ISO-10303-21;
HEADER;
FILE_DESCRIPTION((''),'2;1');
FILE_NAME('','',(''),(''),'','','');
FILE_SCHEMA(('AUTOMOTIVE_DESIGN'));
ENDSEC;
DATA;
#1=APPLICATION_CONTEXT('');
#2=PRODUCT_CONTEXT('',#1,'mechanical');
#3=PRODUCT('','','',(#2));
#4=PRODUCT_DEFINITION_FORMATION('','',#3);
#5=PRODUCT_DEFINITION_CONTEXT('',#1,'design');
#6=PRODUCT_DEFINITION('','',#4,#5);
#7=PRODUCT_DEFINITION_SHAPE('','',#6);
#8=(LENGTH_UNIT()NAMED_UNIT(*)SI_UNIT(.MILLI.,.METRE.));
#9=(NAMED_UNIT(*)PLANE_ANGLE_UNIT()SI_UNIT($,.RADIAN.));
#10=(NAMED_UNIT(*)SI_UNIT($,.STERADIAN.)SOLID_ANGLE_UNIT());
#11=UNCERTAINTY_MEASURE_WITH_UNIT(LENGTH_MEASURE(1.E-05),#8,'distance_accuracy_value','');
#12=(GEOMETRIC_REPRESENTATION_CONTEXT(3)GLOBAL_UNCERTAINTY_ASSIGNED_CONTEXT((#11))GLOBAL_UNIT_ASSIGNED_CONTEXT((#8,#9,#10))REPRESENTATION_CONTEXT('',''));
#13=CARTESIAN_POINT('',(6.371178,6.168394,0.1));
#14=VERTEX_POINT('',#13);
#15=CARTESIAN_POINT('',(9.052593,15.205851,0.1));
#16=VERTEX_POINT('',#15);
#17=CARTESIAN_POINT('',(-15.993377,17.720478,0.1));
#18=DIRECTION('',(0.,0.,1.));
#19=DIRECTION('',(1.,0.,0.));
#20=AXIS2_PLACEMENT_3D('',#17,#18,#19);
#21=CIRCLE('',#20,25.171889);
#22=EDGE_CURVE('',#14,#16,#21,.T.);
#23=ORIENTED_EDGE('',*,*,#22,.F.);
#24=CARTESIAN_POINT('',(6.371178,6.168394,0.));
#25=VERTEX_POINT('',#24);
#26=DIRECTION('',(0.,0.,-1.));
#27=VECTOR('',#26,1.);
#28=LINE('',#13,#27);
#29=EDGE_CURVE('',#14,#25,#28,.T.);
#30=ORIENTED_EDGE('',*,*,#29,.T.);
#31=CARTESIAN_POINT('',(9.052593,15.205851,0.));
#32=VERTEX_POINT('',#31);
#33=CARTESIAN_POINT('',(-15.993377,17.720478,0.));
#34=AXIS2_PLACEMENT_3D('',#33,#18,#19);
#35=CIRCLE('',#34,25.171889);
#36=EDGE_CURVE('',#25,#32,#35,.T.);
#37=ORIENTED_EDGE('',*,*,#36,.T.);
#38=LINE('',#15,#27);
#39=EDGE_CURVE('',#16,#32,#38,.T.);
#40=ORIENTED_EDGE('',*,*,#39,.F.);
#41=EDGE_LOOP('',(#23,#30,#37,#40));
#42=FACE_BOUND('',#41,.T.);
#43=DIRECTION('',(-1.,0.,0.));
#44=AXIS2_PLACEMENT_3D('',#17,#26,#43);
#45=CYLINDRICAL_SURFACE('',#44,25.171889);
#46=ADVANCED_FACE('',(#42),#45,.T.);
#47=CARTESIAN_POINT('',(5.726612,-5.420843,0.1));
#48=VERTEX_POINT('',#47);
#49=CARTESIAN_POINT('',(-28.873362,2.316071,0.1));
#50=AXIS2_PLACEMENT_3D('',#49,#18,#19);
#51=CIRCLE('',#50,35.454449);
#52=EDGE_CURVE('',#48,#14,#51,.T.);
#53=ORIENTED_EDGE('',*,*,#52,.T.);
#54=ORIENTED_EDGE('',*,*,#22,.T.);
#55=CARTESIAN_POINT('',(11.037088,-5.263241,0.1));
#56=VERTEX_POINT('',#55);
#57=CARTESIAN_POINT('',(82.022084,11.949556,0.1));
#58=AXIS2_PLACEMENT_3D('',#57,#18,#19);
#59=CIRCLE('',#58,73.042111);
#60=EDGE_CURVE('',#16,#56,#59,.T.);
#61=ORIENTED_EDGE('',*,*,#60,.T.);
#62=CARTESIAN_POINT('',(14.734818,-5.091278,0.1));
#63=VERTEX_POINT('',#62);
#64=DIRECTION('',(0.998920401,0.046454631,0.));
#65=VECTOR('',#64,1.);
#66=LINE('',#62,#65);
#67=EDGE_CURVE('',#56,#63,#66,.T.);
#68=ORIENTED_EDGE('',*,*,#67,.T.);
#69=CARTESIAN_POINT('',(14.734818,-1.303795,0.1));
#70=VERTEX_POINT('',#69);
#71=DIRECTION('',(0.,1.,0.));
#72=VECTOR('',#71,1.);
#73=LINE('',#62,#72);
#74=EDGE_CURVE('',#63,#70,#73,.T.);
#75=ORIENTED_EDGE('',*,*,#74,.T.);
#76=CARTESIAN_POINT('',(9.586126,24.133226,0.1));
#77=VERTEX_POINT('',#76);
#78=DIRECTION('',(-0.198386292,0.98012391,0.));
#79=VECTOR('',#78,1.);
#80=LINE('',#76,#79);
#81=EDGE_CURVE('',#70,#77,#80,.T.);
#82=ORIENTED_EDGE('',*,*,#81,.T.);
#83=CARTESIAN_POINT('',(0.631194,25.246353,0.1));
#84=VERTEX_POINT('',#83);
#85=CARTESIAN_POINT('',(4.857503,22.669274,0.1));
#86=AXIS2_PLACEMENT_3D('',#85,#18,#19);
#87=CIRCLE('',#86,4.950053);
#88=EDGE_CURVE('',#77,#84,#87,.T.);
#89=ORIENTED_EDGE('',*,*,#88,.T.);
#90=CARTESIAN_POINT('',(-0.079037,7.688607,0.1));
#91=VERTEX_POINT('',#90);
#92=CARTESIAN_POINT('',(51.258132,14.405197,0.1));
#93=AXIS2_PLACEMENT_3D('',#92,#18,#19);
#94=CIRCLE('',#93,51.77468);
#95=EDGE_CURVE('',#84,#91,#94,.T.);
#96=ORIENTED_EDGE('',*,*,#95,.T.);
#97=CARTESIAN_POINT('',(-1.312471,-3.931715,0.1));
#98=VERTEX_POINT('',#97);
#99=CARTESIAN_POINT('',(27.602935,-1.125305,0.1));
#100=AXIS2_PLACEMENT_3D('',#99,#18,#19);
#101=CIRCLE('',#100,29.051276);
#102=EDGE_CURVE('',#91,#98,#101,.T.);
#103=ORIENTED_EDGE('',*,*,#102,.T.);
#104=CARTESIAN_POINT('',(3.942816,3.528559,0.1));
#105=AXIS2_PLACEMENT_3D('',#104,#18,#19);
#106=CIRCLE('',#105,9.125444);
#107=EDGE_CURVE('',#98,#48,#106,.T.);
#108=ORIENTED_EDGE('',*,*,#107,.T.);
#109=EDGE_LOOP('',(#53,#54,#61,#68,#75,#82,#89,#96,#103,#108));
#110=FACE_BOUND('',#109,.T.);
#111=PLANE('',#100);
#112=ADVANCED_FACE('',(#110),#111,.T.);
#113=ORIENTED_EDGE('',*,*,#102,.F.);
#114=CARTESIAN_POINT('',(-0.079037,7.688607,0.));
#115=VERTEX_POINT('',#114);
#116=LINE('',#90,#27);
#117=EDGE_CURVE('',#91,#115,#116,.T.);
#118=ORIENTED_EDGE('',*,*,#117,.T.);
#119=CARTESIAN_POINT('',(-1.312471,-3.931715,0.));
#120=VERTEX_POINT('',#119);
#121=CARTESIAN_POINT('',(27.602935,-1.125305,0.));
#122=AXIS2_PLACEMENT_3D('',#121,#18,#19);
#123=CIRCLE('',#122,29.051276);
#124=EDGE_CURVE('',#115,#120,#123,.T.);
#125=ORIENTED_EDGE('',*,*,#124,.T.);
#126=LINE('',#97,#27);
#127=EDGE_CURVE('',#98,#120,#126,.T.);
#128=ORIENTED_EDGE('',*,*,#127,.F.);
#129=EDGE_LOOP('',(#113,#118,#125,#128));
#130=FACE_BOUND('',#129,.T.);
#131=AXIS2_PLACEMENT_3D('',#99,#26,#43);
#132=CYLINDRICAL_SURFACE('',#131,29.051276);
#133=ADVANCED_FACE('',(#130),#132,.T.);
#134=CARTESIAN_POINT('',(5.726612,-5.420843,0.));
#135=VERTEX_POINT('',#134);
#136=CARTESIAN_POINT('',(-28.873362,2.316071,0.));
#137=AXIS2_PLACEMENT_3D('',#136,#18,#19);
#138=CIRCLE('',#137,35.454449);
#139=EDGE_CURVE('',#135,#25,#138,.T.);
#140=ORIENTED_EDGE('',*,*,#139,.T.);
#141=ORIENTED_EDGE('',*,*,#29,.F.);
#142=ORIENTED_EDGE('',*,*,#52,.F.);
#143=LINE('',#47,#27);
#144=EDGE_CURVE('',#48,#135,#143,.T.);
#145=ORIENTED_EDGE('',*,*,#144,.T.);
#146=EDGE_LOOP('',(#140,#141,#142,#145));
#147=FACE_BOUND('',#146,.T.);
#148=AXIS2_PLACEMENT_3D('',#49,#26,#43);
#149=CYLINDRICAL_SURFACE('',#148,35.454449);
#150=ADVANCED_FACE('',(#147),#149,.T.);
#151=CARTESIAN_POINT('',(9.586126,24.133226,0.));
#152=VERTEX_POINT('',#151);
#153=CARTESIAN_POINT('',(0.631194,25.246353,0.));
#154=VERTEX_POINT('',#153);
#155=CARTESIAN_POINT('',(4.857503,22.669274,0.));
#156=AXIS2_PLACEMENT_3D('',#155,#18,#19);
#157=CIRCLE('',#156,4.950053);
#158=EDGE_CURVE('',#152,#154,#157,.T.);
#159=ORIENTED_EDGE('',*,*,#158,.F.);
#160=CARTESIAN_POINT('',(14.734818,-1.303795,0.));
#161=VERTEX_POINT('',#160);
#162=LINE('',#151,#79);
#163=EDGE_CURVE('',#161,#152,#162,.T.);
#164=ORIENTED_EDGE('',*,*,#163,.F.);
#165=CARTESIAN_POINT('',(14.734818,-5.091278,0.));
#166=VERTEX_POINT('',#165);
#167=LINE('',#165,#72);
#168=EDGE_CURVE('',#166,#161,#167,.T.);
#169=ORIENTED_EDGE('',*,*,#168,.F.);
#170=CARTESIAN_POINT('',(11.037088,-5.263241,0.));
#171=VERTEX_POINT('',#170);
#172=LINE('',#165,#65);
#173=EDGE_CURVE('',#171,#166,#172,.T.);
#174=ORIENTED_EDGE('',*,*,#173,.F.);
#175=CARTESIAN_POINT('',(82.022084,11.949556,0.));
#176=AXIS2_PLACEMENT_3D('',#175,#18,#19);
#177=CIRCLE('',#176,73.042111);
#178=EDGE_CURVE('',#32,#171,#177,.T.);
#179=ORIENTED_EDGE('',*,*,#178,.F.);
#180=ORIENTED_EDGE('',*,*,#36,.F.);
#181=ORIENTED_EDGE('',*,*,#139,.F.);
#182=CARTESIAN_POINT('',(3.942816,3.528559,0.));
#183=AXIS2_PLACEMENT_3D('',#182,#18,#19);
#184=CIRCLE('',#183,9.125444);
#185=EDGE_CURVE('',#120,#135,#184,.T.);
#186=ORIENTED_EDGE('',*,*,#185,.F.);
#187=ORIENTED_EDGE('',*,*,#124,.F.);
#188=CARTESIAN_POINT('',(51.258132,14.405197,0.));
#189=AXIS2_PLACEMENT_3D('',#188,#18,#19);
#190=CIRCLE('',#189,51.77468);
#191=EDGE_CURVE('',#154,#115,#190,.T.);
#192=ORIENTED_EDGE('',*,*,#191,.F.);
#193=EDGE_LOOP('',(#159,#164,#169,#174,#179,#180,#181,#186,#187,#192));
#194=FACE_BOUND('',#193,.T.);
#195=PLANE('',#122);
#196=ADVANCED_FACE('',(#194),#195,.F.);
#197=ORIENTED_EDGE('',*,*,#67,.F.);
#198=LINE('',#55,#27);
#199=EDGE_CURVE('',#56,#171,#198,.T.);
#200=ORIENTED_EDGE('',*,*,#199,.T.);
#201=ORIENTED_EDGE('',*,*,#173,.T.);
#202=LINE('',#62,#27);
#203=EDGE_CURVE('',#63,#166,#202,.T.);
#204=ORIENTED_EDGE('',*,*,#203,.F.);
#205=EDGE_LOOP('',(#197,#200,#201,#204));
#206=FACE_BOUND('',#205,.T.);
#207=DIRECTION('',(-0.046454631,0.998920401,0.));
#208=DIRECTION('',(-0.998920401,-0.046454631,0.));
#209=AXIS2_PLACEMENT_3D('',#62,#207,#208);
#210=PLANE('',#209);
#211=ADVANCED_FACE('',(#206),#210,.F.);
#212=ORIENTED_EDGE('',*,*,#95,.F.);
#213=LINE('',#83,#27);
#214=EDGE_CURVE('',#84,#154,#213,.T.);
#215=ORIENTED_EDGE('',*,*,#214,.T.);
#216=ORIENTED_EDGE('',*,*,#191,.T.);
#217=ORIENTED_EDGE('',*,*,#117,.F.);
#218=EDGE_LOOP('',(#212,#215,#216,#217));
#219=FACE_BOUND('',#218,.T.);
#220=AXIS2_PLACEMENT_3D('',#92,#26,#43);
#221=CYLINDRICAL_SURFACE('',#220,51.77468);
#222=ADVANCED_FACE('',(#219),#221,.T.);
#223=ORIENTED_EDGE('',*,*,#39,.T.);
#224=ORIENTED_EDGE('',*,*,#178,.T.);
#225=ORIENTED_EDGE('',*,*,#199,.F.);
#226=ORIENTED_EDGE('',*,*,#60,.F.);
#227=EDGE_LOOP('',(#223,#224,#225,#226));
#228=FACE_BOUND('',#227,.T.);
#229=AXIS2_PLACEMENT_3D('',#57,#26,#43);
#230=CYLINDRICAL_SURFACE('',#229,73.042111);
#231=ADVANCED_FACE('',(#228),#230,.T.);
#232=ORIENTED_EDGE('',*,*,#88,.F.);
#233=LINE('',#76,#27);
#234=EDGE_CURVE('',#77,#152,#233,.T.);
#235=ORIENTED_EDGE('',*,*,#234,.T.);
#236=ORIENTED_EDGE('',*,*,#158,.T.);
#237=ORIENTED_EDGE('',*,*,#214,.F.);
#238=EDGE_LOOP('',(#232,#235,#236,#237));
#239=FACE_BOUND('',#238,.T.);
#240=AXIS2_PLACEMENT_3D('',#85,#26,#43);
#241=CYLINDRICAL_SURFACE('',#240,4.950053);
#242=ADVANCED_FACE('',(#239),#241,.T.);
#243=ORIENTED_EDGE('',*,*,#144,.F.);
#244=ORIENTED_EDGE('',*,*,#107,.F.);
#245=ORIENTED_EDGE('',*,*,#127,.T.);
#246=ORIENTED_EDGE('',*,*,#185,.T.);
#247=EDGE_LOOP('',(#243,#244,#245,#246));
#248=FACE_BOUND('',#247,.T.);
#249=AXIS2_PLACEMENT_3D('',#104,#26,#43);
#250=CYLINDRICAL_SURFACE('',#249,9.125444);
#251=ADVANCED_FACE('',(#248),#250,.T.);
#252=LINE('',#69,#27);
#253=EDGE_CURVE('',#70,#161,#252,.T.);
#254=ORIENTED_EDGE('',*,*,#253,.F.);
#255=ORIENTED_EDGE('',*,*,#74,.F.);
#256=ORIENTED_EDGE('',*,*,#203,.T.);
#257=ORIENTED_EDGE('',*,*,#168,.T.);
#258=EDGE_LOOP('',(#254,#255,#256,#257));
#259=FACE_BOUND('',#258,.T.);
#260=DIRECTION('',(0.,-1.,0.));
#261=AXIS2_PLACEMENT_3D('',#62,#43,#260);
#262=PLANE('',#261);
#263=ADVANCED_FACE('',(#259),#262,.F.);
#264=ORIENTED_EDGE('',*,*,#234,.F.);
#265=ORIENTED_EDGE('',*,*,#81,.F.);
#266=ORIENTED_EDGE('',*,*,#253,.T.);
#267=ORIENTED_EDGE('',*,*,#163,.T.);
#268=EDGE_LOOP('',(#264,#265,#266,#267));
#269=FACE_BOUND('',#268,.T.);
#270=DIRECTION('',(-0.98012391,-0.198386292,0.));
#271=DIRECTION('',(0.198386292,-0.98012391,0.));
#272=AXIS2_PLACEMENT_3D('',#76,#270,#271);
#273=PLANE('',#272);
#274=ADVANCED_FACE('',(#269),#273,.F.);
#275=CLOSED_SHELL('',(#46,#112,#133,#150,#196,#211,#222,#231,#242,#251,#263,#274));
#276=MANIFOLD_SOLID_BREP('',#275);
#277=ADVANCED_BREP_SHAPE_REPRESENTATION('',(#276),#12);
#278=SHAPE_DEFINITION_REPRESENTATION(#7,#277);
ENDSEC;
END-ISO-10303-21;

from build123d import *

# Parameters (mm, degrees)
SALIENTE_EXTRUIR1_DEPTH = 0.1


with BuildPart() as part:
    # Model → Saliente-Extruir1 (new body)
    with BuildSketch(Plane.XY):
        with BuildLine():
            Line((14.734818135, -5.091278375), (14.734818135, -1.303795454))
            Line((14.734818135, -1.303795454), (9.586125983, 24.133225595))
            ThreePointArc((9.586125983, 24.133225595), (5.468112004, 27.581522666), (0.631193944, 25.246353401))
            ThreePointArc((0.631193944, 25.246353401), (-0.474240962, 16.497831322), (-0.079037247, 7.688606673))
            ThreePointArc((-0.079037247, 7.688606673), (-1.286055473, 1.941103292), (-1.312470922, -3.931714629))
            ThreePointArc((-1.312470922, -3.931714629), (2.054115678, -5.399292803), (5.726611642, -5.420843381))
            ThreePointArc((5.726611642, -5.420843381), (6.52637867, 0.347218865), (6.371178308, 6.168394193))
            ThreePointArc((6.371178308, 6.168394193), (8.138725842, 10.560479173), (9.052593122, 15.205851208))
            ThreePointArc((9.052593122, 15.205851208), (9.320849308, 4.901113732), (11.037087709, -5.263240729))
            Line((11.037087709, -5.263240729), (14.734818135, -5.091278375))
        make_face()
    extrude(amount=SALIENTE_EXTRUIR1_DEPTH)


solid = part.part
